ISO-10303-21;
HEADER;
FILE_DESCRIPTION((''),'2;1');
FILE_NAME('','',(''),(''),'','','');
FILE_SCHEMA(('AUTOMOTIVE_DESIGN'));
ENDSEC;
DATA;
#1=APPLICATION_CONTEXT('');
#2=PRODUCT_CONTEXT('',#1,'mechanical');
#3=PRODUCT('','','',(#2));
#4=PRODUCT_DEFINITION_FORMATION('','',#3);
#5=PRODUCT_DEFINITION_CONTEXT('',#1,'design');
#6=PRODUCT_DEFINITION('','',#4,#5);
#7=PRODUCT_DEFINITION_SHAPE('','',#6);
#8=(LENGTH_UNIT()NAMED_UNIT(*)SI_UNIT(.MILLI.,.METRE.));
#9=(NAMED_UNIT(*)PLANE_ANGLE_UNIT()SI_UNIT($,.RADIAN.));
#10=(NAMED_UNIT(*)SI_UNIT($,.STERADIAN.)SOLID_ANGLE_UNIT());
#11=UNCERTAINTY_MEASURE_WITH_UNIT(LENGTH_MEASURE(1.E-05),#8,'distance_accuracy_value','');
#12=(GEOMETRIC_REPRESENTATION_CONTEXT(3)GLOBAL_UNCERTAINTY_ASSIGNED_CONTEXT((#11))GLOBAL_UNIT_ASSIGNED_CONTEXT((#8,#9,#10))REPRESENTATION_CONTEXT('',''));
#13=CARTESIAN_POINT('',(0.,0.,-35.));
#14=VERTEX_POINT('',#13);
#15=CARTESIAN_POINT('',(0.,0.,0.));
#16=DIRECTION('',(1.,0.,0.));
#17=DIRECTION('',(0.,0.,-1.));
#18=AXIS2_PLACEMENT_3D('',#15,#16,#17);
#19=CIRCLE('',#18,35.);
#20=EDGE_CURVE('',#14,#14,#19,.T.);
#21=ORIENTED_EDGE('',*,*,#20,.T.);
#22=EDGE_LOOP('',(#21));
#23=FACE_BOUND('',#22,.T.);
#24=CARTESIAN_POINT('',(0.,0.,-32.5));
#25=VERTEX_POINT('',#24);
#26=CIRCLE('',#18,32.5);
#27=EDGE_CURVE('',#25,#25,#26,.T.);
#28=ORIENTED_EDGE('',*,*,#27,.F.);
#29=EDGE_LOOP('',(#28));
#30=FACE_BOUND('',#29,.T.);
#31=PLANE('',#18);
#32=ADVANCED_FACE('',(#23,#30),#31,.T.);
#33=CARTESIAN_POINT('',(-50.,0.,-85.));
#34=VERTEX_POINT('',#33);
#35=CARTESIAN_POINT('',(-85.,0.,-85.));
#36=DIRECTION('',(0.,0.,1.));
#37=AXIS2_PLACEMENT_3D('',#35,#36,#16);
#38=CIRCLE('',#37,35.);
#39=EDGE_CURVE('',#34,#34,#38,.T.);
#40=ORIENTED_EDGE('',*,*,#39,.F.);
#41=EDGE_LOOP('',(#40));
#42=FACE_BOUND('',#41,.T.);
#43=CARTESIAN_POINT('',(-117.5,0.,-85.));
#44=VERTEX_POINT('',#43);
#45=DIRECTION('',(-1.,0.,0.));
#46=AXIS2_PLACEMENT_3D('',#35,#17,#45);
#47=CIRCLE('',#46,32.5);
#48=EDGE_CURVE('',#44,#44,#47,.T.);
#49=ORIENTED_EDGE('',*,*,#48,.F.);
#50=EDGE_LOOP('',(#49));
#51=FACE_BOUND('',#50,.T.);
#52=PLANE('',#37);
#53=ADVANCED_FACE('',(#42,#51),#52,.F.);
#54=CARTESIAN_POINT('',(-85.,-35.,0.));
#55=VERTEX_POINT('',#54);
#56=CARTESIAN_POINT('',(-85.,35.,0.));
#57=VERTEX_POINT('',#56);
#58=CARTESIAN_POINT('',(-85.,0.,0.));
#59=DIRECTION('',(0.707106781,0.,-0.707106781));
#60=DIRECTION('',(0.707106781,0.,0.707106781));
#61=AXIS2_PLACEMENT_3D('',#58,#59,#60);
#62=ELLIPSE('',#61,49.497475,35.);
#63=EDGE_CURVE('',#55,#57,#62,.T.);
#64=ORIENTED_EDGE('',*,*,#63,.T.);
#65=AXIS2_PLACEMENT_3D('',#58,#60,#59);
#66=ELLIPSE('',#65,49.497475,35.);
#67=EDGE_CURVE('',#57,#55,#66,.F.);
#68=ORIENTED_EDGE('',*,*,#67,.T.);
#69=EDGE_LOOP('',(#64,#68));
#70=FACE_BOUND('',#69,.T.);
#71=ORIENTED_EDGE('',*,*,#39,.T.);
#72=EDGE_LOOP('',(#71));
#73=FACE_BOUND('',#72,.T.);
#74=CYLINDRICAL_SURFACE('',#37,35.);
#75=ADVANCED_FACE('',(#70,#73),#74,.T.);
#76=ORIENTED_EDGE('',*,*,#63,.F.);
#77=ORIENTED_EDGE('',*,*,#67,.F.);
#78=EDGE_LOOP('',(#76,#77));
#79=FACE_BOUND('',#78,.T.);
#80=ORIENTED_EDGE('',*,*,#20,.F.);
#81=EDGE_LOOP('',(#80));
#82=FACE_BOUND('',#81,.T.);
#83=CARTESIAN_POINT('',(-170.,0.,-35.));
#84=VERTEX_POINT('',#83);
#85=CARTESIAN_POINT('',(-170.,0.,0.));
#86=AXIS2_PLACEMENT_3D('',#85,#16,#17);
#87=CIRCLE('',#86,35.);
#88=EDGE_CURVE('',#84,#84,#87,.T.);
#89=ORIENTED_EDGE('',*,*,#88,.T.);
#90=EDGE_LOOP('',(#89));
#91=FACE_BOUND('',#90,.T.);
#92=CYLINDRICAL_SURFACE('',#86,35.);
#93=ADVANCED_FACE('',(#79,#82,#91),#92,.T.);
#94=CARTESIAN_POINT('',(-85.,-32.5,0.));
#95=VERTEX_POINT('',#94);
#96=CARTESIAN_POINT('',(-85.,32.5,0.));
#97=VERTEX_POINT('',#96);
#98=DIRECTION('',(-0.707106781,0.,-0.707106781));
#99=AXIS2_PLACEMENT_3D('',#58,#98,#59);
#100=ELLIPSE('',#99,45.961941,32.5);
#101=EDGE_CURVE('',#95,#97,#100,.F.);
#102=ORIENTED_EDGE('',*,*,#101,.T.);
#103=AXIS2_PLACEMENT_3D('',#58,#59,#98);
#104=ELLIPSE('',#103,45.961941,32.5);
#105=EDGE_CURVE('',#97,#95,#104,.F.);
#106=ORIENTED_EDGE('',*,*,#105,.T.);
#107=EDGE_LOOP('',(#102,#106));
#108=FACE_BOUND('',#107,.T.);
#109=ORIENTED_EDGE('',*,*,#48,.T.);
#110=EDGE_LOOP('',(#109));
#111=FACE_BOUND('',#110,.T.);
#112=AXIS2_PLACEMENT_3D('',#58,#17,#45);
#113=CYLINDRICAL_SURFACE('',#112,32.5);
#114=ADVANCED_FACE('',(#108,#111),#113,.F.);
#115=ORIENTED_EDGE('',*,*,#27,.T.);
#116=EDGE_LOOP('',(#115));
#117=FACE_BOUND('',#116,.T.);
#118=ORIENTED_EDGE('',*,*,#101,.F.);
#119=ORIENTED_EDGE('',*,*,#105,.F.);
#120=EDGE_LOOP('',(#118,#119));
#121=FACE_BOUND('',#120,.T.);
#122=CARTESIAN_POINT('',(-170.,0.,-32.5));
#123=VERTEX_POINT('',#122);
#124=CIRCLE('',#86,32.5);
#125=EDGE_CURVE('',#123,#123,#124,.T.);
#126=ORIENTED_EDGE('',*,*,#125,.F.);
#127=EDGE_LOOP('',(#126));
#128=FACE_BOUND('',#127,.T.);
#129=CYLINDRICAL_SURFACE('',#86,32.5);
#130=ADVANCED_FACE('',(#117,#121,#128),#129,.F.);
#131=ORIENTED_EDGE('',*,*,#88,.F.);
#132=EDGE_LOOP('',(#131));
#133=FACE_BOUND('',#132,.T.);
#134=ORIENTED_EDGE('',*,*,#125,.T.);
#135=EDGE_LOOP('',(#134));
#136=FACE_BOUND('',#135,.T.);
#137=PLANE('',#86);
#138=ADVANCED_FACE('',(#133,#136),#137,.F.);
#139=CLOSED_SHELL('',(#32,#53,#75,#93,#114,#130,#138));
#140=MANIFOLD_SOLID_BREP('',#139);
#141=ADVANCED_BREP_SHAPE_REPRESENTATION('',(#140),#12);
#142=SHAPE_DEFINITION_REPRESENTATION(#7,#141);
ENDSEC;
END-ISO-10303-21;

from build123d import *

# Parameters (mm, degrees)
SKETCH1_R           = 35
BOSS_EXTRUDE1_DEPTH = 170
SKETCH4_R           = 35
BOSS_EXTRUDE2_DEPTH = 85
SKETCH5_R           = 32.5
CUT_EXTRUDE2_DEPTH  = 85
SKETCH2_R           = 32.5
CUT_EXTRUDE3_DEPTH  = 194.261480901


with BuildPart() as part:
    # Sketch1 → Boss-Extrude1 (new body)
    with BuildSketch(Plane(origin=(0, 0, 0), x_dir=(0, 0, -1), z_dir=(1, 0, 0))):
        Circle(SKETCH1_R)
    extrude(amount=-BOSS_EXTRUDE1_DEPTH)

    # Sketch4 → Boss-Extrude2 (add)
    with BuildSketch(Plane.XY):
        with Locations((-85, 0)):
            Circle(SKETCH4_R)
    extrude(amount=-BOSS_EXTRUDE2_DEPTH)

    # Sketch5 → Cut-Extrude2 (cut)
    with BuildSketch(Plane(origin=(0, 0, -85), x_dir=(-1, 0, 0), z_dir=(0, 0, -1))):
        with Locations((85, 0)):
            Circle(SKETCH5_R)
    extrude(amount=-CUT_EXTRUDE2_DEPTH, mode=Mode.SUBTRACT)

    # Sketch2 → Cut-Extrude3 (cut, through all)
    with BuildSketch(Plane(origin=(0, 0, 0), x_dir=(0, 0, -1), z_dir=(1, 0, 0))):
        Circle(SKETCH2_R)
    extrude(amount=-CUT_EXTRUDE3_DEPTH, mode=Mode.SUBTRACT)


solid = part.part
